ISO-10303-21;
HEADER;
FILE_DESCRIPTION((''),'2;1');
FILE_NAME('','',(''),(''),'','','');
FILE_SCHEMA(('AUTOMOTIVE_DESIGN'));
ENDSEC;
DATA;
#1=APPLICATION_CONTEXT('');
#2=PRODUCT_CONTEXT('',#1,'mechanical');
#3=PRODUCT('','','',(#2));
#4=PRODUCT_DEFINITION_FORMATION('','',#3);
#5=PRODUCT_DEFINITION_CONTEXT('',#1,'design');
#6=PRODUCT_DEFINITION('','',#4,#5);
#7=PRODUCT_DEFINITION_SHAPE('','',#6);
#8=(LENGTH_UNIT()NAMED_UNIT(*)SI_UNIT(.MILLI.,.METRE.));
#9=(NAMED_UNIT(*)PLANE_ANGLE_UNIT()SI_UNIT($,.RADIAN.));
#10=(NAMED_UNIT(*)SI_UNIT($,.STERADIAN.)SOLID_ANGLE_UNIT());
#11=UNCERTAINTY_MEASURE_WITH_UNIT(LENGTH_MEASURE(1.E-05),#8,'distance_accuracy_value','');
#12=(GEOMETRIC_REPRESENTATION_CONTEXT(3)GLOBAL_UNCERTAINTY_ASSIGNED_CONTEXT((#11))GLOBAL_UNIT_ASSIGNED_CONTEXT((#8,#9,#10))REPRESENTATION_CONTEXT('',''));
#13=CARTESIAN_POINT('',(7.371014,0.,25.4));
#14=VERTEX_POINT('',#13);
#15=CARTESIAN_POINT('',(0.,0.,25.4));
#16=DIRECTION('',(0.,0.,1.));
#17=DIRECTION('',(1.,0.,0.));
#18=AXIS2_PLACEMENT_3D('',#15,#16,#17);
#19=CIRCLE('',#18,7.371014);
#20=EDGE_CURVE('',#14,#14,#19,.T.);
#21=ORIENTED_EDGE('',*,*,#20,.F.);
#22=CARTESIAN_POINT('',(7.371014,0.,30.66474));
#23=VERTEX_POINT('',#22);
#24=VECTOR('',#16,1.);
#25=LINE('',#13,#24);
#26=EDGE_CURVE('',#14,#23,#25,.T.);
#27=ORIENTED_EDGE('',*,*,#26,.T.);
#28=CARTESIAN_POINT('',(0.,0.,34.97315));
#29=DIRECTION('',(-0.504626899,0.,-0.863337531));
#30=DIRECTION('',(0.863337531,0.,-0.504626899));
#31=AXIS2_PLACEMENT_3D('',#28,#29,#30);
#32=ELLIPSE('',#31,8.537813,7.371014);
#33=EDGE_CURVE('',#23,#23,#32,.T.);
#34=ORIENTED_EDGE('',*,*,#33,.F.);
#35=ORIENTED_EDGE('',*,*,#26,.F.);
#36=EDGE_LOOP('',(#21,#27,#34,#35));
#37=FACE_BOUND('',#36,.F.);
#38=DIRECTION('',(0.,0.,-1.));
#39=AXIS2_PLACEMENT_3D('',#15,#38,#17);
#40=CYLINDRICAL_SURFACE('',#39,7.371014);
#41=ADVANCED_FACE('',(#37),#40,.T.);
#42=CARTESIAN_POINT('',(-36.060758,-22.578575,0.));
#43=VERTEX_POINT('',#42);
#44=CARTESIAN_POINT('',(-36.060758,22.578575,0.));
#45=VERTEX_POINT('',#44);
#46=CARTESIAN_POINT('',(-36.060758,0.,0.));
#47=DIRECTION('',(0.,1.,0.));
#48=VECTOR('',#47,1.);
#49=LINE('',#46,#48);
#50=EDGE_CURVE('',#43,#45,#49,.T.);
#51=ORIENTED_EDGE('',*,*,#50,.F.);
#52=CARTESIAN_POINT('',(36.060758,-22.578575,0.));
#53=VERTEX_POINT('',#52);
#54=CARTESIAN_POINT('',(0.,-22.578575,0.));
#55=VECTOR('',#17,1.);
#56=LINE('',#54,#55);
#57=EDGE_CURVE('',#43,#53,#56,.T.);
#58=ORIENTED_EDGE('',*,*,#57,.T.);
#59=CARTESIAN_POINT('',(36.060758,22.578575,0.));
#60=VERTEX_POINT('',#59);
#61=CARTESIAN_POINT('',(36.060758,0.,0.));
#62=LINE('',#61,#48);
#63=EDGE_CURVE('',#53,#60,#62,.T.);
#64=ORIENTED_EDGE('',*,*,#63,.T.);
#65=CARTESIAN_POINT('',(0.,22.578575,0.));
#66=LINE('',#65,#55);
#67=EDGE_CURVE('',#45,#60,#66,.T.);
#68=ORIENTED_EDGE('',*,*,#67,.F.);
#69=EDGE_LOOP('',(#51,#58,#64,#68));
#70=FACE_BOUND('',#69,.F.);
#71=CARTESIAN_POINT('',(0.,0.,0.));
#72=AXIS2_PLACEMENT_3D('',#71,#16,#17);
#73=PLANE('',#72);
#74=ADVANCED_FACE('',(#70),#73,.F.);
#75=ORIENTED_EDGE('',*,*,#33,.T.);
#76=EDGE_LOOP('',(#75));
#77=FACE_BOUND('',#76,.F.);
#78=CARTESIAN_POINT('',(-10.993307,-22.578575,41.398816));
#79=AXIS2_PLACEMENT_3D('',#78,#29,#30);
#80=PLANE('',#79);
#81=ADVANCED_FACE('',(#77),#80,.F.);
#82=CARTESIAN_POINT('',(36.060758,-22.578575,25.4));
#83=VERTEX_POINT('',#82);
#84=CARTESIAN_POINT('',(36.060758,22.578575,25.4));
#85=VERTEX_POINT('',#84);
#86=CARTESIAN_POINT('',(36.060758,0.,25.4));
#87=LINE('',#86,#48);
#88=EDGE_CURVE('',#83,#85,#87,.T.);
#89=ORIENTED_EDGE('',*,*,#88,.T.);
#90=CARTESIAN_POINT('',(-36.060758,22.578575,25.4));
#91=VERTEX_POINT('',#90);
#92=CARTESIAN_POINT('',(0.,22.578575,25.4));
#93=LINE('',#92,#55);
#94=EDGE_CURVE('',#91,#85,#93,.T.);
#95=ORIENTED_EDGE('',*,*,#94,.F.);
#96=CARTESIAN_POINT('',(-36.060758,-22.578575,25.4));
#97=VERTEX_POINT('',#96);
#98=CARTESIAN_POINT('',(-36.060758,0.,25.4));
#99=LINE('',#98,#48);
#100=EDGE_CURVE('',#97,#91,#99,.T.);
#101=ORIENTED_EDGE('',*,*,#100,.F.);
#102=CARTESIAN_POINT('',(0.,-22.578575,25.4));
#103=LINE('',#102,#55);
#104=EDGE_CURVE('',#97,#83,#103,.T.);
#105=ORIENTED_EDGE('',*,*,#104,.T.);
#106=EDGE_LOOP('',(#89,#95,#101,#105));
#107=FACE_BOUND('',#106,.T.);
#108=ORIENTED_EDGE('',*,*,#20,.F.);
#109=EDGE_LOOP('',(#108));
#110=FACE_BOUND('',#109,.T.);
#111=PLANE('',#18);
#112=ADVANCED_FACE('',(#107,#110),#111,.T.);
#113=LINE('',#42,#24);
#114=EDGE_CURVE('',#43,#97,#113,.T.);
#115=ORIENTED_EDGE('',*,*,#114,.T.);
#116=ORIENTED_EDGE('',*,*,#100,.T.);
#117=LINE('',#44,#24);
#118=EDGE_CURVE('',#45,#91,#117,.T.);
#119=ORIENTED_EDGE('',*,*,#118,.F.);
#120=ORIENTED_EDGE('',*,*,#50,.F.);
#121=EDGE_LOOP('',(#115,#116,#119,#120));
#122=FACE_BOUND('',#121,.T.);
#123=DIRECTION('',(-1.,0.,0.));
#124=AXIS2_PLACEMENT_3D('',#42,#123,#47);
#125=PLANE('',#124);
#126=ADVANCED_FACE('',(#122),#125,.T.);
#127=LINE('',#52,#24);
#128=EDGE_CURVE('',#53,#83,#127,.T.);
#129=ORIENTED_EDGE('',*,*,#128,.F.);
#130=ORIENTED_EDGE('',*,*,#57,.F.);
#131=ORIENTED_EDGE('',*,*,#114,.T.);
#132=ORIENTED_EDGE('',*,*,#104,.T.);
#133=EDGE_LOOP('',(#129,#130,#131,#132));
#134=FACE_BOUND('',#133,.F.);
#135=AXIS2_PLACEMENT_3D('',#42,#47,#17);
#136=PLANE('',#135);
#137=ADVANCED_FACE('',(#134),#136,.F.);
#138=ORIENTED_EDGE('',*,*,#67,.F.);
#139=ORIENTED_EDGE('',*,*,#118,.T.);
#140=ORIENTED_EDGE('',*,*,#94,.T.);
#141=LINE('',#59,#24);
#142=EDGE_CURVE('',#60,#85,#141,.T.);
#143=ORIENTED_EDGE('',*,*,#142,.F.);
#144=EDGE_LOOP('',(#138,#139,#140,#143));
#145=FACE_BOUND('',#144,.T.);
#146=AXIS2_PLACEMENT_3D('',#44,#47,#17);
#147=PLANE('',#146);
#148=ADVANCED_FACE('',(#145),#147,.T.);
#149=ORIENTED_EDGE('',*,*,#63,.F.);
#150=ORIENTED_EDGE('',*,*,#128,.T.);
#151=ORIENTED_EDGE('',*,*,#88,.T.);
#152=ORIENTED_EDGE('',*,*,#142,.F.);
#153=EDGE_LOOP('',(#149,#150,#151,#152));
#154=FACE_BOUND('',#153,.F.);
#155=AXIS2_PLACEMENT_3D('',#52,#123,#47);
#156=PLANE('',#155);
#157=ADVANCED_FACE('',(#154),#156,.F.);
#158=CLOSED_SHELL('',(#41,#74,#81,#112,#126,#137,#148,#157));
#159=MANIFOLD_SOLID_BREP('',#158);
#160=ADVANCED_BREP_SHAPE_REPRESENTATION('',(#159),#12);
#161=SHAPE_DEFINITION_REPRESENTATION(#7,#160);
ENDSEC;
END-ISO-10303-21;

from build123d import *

# Parameters (mm, degrees)
F0_W     = 72.121516
F0_H     = 45.15715
F1_DEPTH = 25.4
F2_R     = 7.371014
F3_DEPTH = 14.986
F5_DEPTH = 41.656


with BuildPart() as f1:
    # F0 (on Top) → F1 (new body)
    with BuildSketch(Plane.XY):
        Rectangle(F0_W, F0_H)
    extrude(amount=F1_DEPTH)

    # F2 (on face) → F3 (join)
    with BuildSketch(Plane.XY.offset(25.4)):
        Circle(F2_R)
    extrude(amount=F3_DEPTH)

    # F4 (on face) → F5 (cut)
    with BuildSketch(Plane.XZ.offset(22.578575)):
        Polygon((10.064982, 44.364773), (-10.993307, 41.398816), (10.064982, 29.090097), align=None)
    extrude(amount=-F5_DEPTH, mode=Mode.SUBTRACT)


solid = f1.part
